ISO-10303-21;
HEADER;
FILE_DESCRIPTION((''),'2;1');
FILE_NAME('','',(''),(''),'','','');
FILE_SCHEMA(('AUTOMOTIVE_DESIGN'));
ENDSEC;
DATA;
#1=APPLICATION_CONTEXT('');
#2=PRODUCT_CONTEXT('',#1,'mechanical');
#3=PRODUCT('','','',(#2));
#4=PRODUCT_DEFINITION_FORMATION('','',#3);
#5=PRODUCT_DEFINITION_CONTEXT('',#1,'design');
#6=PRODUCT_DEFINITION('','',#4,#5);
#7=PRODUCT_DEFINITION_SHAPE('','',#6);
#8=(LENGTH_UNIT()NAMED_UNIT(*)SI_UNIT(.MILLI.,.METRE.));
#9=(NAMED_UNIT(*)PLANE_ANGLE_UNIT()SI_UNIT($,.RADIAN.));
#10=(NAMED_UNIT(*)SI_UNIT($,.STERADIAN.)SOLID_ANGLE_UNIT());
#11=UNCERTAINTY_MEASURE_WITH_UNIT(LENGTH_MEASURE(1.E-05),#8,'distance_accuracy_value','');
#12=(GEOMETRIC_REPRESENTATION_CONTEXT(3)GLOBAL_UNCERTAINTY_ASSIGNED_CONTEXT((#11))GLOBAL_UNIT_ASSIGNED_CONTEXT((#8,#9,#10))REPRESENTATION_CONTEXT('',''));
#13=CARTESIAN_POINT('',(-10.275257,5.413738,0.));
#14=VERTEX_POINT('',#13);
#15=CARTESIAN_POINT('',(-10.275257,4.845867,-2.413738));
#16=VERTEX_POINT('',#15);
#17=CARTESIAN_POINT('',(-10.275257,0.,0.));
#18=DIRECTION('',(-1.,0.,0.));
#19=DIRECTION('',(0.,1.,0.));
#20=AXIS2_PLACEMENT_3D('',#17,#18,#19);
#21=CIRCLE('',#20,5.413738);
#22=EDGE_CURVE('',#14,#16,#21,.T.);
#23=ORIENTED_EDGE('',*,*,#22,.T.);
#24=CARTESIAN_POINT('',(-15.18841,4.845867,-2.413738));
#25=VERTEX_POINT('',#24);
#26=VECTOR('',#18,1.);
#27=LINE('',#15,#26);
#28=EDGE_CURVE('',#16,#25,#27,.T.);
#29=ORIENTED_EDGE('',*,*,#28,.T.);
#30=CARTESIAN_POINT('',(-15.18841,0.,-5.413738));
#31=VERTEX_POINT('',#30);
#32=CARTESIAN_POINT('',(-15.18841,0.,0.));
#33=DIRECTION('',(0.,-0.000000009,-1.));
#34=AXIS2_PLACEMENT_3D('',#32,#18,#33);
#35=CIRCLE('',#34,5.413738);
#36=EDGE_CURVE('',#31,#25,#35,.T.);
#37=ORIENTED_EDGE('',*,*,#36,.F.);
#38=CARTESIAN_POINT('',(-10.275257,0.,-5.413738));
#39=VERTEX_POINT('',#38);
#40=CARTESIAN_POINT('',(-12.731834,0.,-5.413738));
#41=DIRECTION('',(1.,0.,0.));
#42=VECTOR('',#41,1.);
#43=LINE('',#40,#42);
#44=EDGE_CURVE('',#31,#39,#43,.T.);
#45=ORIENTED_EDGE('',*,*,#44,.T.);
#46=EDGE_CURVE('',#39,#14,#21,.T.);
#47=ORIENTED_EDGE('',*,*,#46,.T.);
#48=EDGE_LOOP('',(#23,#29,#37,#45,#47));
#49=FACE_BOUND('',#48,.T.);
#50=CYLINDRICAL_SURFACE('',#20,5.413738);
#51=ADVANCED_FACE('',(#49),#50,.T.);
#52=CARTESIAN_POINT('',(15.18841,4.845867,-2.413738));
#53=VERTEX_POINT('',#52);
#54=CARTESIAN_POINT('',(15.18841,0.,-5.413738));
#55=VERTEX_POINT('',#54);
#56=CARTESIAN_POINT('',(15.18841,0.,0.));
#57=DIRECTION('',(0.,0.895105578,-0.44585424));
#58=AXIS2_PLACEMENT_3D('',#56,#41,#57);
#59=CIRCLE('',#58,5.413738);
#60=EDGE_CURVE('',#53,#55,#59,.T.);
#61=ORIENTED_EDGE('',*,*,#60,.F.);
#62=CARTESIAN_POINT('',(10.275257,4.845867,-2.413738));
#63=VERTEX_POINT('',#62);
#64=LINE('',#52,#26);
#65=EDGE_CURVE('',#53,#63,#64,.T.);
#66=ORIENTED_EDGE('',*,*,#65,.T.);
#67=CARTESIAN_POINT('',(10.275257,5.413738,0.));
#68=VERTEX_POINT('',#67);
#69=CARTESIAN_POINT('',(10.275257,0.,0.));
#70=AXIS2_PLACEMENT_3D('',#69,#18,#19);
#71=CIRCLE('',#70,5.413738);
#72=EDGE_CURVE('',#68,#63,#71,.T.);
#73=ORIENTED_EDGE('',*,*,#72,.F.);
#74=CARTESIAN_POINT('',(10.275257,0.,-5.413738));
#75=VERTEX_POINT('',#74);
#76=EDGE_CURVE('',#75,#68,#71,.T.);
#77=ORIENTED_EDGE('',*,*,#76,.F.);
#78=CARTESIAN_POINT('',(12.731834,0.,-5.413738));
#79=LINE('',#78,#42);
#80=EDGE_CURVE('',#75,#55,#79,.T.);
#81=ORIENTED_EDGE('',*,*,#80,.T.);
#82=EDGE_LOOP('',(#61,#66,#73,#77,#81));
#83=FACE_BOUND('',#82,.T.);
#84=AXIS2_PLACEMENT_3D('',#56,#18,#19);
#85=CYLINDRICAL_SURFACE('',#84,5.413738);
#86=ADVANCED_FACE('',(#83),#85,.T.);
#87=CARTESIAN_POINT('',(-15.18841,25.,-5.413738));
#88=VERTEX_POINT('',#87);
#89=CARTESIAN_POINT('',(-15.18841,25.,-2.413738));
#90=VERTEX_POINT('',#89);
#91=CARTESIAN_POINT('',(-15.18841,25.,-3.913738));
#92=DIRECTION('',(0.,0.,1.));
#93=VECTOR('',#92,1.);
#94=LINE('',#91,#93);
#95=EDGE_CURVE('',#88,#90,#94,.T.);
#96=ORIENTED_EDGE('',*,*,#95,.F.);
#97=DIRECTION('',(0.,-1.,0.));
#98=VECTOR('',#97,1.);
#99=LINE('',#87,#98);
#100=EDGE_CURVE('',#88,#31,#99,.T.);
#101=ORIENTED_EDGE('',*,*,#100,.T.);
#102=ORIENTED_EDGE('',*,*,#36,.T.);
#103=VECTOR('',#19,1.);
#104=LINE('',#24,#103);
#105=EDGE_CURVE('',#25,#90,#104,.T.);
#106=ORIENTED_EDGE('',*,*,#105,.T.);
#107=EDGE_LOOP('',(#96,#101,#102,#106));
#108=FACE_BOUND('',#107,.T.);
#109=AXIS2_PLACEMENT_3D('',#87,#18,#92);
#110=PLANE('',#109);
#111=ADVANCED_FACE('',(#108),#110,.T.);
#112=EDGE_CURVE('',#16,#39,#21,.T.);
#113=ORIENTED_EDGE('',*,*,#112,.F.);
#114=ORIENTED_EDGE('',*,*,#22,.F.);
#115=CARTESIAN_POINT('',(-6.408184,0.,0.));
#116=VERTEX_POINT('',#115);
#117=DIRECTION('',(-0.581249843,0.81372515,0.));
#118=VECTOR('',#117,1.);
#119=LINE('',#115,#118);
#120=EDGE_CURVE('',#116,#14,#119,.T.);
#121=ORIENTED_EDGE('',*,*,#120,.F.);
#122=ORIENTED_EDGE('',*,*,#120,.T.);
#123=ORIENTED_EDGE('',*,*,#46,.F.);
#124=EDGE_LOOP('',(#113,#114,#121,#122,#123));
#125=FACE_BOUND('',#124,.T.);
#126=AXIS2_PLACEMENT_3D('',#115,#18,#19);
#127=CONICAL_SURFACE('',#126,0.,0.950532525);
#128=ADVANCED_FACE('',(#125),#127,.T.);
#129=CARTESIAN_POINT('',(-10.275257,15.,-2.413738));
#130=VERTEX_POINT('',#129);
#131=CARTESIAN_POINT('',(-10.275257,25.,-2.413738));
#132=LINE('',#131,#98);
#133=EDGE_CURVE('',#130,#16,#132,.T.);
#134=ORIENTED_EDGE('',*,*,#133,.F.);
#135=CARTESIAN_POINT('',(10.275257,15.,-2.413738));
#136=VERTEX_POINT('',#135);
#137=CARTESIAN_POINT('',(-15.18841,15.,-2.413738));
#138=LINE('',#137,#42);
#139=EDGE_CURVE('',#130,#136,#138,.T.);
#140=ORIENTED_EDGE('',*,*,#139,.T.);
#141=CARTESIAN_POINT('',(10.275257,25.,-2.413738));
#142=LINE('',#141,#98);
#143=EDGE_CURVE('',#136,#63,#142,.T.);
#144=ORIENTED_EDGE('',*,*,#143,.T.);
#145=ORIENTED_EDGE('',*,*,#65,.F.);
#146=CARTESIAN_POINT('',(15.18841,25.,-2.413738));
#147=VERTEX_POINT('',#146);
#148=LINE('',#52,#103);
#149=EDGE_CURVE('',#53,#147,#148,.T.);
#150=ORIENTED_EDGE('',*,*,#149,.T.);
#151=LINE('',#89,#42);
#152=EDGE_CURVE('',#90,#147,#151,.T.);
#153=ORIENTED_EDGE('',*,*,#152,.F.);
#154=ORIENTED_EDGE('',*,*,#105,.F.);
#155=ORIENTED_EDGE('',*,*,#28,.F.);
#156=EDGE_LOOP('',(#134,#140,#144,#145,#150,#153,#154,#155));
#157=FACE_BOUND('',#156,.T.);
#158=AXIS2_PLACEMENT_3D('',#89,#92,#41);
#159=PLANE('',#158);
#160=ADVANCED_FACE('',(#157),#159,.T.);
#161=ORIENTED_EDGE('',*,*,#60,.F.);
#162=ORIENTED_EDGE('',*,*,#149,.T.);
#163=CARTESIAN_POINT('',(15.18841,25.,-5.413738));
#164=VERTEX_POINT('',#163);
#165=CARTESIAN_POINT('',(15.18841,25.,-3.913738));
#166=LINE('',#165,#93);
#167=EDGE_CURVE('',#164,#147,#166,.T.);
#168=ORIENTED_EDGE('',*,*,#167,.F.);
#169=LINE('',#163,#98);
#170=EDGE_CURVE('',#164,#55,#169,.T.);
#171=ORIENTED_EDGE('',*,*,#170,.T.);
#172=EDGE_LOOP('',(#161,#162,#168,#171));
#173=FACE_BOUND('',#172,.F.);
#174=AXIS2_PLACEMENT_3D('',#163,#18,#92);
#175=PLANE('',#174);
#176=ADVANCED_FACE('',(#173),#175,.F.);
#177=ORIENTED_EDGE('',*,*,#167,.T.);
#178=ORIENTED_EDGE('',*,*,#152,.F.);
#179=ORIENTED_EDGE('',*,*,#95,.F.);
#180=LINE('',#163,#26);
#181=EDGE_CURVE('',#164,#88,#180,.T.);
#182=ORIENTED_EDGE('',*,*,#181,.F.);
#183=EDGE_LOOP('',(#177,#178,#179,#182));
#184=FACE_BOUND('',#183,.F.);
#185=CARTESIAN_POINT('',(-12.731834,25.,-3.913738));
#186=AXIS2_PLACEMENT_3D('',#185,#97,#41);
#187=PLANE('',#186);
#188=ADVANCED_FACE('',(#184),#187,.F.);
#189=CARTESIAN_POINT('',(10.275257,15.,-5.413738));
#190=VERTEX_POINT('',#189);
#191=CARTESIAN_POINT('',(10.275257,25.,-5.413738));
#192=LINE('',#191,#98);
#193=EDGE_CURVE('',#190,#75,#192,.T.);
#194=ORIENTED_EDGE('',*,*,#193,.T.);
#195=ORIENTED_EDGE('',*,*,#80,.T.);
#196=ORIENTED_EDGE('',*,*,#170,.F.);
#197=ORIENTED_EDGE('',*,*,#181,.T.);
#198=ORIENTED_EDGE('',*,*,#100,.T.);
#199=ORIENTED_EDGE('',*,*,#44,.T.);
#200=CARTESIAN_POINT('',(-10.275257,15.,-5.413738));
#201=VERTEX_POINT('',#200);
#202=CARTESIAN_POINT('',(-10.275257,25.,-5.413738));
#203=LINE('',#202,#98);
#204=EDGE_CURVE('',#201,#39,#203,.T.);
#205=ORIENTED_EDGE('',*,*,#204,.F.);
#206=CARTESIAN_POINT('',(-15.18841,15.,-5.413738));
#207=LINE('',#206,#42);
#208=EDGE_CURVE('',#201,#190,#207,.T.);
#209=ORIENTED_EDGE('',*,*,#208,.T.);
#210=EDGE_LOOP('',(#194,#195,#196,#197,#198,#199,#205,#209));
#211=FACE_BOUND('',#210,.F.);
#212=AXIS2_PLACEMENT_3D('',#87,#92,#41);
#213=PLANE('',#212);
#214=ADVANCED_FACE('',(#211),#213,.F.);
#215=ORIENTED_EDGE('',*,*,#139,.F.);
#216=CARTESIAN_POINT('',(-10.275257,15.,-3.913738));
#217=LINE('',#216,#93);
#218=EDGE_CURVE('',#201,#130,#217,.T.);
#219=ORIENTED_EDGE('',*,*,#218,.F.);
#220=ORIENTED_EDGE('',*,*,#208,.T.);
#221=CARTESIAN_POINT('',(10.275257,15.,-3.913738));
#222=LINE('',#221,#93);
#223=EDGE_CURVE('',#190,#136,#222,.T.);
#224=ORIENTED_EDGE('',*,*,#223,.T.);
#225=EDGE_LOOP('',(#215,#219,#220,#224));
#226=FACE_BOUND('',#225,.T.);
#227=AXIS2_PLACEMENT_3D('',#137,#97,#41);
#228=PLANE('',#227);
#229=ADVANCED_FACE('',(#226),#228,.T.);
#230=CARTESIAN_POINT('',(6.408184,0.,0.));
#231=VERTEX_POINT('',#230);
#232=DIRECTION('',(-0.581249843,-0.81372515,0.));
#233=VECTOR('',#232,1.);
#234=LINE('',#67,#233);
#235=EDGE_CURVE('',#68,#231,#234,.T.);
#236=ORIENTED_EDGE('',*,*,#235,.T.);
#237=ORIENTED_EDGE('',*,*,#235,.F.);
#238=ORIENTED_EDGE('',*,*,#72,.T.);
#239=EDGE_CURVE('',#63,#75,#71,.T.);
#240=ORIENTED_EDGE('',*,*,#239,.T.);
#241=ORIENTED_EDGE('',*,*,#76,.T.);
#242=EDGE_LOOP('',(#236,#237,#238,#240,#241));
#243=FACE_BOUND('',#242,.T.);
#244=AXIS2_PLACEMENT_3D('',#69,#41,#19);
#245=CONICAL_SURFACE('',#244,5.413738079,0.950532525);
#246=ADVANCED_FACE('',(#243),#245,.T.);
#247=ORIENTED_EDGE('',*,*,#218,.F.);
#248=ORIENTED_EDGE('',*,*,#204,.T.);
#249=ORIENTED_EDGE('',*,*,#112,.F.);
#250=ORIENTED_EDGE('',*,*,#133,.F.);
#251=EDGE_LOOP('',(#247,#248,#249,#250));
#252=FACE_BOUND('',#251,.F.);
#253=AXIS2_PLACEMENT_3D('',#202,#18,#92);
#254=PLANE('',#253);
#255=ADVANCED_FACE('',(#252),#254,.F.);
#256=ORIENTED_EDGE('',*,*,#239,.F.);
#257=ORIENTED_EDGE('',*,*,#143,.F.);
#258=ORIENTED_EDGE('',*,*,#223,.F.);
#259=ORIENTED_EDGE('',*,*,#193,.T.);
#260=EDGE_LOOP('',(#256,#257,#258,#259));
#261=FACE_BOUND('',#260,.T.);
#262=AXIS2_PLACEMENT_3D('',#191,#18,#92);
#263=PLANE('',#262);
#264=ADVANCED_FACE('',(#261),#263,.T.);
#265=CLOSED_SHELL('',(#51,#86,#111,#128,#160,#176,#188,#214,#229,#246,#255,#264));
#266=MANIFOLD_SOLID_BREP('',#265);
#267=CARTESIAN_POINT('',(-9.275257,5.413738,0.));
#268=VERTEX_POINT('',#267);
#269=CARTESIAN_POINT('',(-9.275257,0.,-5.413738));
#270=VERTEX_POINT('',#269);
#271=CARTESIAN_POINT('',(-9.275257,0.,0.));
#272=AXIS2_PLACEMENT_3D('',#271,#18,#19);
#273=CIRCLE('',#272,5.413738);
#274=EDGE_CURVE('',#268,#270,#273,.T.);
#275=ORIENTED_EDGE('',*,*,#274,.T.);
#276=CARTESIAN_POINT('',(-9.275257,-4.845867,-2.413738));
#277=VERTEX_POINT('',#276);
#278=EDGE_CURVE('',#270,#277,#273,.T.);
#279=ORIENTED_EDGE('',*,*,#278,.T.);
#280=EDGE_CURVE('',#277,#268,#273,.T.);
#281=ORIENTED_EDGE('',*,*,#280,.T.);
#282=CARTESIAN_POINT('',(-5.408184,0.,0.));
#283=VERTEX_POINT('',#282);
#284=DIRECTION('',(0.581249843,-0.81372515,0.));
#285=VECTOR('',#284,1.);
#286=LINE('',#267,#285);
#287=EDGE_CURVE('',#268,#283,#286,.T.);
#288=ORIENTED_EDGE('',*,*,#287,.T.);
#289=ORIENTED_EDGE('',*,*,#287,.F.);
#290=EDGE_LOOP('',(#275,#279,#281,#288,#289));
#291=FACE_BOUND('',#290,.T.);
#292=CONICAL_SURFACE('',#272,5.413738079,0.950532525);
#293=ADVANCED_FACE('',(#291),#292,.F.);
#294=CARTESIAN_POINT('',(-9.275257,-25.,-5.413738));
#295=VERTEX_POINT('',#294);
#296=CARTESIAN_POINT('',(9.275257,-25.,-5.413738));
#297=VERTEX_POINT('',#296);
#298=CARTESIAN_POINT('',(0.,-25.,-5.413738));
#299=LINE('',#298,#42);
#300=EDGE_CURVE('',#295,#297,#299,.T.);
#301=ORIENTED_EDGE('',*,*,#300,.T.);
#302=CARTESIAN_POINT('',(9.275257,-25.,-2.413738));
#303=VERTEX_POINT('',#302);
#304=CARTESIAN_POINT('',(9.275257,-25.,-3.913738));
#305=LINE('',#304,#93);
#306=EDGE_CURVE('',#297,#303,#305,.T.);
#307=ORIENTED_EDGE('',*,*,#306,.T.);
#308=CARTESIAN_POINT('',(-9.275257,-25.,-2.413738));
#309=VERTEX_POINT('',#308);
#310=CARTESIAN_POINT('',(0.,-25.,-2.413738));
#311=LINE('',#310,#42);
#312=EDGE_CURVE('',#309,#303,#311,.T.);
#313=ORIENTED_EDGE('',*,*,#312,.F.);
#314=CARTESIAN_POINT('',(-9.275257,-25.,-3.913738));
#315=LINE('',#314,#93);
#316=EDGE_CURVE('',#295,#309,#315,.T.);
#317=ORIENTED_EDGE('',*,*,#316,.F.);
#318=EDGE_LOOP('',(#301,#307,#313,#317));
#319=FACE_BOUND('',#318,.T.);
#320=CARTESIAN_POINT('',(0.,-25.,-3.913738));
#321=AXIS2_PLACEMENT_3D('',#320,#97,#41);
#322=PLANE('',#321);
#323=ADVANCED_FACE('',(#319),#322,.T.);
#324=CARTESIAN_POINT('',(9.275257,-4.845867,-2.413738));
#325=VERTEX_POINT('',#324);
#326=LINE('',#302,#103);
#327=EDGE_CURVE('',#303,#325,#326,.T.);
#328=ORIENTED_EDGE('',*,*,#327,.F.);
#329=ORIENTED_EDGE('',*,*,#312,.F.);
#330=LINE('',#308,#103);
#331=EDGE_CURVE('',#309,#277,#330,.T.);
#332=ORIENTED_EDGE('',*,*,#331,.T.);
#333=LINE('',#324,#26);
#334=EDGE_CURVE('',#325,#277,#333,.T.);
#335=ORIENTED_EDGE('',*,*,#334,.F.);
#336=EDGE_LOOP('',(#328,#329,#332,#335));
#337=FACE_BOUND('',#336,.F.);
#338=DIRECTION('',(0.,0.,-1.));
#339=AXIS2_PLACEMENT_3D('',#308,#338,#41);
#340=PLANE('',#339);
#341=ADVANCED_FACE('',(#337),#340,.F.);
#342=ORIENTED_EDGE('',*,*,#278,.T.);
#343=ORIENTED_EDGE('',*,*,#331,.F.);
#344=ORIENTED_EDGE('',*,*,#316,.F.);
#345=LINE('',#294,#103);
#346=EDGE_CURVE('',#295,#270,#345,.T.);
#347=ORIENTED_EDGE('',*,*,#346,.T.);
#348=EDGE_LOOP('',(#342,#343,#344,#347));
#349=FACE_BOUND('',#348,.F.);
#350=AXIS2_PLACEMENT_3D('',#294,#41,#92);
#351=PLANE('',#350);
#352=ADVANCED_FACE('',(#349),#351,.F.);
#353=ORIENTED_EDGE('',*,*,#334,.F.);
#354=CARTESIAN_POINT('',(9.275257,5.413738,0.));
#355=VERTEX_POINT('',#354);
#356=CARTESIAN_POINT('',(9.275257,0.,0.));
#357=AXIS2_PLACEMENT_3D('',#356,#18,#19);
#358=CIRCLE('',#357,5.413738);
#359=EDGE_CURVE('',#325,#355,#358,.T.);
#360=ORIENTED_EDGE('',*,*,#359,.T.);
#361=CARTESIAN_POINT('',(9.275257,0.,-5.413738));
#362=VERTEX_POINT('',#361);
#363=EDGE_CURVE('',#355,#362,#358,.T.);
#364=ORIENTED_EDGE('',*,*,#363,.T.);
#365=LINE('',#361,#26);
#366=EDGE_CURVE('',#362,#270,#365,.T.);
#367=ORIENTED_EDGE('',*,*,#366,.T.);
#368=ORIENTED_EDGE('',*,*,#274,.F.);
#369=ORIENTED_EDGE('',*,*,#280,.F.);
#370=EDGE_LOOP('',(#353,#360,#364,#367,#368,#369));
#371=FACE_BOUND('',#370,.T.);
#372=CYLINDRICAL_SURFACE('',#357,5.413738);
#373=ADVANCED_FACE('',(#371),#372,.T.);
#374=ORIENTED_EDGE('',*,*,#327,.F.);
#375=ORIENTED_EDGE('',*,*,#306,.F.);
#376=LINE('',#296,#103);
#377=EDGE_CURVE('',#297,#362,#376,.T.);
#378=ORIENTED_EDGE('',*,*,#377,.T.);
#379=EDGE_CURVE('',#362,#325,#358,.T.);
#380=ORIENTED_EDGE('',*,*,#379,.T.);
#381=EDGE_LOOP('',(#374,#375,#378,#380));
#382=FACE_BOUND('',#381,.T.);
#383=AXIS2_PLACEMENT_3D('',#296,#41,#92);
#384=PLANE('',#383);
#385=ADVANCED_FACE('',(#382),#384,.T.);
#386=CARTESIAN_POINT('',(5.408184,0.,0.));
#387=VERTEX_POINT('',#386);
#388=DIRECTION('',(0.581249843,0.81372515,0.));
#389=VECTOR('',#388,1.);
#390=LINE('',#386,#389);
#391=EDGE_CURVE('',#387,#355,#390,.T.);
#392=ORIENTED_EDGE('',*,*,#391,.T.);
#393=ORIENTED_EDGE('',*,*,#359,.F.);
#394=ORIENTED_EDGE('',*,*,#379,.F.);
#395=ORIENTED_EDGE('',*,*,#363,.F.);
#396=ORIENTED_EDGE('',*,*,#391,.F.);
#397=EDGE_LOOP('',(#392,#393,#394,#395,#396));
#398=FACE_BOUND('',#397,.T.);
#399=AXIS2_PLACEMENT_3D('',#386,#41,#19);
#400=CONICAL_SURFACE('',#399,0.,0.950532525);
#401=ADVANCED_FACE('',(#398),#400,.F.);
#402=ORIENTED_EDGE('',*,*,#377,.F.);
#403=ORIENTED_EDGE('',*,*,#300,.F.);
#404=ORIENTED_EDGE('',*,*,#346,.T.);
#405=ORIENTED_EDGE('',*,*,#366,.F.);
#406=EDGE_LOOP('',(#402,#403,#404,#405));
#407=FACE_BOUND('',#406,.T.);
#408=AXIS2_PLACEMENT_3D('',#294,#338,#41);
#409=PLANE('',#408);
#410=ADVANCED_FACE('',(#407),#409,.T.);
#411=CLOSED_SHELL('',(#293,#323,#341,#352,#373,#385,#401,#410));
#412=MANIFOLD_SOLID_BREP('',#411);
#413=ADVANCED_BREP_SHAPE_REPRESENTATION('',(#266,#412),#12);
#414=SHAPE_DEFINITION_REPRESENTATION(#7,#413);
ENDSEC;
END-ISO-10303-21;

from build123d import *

# Parameters (mm, degrees)
F4_W     = 18.5505142563
F4_H     = 3
F6_W     = 4.9131528187
F6_H     = 3
F7_DEPTH = 25.0000000466
F9_DEPTH = 3


with BuildPart() as f1:
    # F0 (on Top) → F1 (revolve)
    with BuildSketch(Plane.XY):
        Polygon((-15.1884099469, 0), (-6.408184309, 0), (-10.2752571281, 5.4137380794), (-15.1884099469, 5.4137380794), align=None)
    revolve(axis=Axis((-2.7040921545, 0, 0), (-1, 0, 0)))

    # F6 (on offset) → F7, piece 2 (join, through all)
    with BuildSketch(Plane.XZ.offset(-25)):
        with Locations((-12.7318335375, -3.9137380794)):
            Rectangle(F6_W, F6_H)
    extrude(amount=F7_DEPTH)



with BuildPart() as f1b:
    # F0 (on Top) → F1, piece 2 (revolve)
    with BuildSketch(Plane.XY):
        Polygon((-5.408184309, 0), (0, 0), (0, 5.4137380794), (-9.2752571281, 5.4137380794), align=None)
        Polygon((0, 5.4137380794), (0, 0), (5.408184309, 0), (9.2752571281, 5.4137380794), align=None)
    revolve(axis=Axis((-2.7040921545, 0, 0), (-1, 0, 0)))

    # F4 (on offset) → F5 (join, up to the next surface of F1b)
    with BuildSketch(Plane.XZ.offset(25)):
        with Locations((0, -3.9137380794)):
            Rectangle(F4_W, F4_H)
    extrude(until=Until.NEXT, dir=(0, 1, 0))


with BuildPart() as f1c:
    # F0 (on Top) → F1, piece 3 (revolve)
    with BuildSketch(Plane.XY):
        Polygon((15.1884099469, 5.4137380794), (10.2752571281, 5.4137380794), (6.408184309, 0), (15.1884099469, 0), align=None)
    revolve(axis=Axis((-2.7040921545, 0, 0), (-1, 0, 0)))

    # F6 (on offset) → F7 (join, through all)
    with BuildSketch(Plane.XZ.offset(-25)):
        with Locations((12.7318335375, -3.9137380794)):
            Rectangle(F6_W, F6_H)
    extrude(amount=F7_DEPTH)


with BuildPart() as f1_1:
    add(f1.part)

    add(f1c.part)  # F9 merges F1c
    # F8 (on face) → F9 (join, through all)
    with BuildSketch(Plane.XY.offset(-2.4137380794)):
        Polygon((-15.1884099469, 25), (-15.1884099469, 15), (15.1884099469, 15), (15.1884099469, 25), (10.2752571281, 25), (-10.2752571281, 25), align=None)
    extrude(amount=-F9_DEPTH)


solid = Compound([f1b.part, f1_1.part])
